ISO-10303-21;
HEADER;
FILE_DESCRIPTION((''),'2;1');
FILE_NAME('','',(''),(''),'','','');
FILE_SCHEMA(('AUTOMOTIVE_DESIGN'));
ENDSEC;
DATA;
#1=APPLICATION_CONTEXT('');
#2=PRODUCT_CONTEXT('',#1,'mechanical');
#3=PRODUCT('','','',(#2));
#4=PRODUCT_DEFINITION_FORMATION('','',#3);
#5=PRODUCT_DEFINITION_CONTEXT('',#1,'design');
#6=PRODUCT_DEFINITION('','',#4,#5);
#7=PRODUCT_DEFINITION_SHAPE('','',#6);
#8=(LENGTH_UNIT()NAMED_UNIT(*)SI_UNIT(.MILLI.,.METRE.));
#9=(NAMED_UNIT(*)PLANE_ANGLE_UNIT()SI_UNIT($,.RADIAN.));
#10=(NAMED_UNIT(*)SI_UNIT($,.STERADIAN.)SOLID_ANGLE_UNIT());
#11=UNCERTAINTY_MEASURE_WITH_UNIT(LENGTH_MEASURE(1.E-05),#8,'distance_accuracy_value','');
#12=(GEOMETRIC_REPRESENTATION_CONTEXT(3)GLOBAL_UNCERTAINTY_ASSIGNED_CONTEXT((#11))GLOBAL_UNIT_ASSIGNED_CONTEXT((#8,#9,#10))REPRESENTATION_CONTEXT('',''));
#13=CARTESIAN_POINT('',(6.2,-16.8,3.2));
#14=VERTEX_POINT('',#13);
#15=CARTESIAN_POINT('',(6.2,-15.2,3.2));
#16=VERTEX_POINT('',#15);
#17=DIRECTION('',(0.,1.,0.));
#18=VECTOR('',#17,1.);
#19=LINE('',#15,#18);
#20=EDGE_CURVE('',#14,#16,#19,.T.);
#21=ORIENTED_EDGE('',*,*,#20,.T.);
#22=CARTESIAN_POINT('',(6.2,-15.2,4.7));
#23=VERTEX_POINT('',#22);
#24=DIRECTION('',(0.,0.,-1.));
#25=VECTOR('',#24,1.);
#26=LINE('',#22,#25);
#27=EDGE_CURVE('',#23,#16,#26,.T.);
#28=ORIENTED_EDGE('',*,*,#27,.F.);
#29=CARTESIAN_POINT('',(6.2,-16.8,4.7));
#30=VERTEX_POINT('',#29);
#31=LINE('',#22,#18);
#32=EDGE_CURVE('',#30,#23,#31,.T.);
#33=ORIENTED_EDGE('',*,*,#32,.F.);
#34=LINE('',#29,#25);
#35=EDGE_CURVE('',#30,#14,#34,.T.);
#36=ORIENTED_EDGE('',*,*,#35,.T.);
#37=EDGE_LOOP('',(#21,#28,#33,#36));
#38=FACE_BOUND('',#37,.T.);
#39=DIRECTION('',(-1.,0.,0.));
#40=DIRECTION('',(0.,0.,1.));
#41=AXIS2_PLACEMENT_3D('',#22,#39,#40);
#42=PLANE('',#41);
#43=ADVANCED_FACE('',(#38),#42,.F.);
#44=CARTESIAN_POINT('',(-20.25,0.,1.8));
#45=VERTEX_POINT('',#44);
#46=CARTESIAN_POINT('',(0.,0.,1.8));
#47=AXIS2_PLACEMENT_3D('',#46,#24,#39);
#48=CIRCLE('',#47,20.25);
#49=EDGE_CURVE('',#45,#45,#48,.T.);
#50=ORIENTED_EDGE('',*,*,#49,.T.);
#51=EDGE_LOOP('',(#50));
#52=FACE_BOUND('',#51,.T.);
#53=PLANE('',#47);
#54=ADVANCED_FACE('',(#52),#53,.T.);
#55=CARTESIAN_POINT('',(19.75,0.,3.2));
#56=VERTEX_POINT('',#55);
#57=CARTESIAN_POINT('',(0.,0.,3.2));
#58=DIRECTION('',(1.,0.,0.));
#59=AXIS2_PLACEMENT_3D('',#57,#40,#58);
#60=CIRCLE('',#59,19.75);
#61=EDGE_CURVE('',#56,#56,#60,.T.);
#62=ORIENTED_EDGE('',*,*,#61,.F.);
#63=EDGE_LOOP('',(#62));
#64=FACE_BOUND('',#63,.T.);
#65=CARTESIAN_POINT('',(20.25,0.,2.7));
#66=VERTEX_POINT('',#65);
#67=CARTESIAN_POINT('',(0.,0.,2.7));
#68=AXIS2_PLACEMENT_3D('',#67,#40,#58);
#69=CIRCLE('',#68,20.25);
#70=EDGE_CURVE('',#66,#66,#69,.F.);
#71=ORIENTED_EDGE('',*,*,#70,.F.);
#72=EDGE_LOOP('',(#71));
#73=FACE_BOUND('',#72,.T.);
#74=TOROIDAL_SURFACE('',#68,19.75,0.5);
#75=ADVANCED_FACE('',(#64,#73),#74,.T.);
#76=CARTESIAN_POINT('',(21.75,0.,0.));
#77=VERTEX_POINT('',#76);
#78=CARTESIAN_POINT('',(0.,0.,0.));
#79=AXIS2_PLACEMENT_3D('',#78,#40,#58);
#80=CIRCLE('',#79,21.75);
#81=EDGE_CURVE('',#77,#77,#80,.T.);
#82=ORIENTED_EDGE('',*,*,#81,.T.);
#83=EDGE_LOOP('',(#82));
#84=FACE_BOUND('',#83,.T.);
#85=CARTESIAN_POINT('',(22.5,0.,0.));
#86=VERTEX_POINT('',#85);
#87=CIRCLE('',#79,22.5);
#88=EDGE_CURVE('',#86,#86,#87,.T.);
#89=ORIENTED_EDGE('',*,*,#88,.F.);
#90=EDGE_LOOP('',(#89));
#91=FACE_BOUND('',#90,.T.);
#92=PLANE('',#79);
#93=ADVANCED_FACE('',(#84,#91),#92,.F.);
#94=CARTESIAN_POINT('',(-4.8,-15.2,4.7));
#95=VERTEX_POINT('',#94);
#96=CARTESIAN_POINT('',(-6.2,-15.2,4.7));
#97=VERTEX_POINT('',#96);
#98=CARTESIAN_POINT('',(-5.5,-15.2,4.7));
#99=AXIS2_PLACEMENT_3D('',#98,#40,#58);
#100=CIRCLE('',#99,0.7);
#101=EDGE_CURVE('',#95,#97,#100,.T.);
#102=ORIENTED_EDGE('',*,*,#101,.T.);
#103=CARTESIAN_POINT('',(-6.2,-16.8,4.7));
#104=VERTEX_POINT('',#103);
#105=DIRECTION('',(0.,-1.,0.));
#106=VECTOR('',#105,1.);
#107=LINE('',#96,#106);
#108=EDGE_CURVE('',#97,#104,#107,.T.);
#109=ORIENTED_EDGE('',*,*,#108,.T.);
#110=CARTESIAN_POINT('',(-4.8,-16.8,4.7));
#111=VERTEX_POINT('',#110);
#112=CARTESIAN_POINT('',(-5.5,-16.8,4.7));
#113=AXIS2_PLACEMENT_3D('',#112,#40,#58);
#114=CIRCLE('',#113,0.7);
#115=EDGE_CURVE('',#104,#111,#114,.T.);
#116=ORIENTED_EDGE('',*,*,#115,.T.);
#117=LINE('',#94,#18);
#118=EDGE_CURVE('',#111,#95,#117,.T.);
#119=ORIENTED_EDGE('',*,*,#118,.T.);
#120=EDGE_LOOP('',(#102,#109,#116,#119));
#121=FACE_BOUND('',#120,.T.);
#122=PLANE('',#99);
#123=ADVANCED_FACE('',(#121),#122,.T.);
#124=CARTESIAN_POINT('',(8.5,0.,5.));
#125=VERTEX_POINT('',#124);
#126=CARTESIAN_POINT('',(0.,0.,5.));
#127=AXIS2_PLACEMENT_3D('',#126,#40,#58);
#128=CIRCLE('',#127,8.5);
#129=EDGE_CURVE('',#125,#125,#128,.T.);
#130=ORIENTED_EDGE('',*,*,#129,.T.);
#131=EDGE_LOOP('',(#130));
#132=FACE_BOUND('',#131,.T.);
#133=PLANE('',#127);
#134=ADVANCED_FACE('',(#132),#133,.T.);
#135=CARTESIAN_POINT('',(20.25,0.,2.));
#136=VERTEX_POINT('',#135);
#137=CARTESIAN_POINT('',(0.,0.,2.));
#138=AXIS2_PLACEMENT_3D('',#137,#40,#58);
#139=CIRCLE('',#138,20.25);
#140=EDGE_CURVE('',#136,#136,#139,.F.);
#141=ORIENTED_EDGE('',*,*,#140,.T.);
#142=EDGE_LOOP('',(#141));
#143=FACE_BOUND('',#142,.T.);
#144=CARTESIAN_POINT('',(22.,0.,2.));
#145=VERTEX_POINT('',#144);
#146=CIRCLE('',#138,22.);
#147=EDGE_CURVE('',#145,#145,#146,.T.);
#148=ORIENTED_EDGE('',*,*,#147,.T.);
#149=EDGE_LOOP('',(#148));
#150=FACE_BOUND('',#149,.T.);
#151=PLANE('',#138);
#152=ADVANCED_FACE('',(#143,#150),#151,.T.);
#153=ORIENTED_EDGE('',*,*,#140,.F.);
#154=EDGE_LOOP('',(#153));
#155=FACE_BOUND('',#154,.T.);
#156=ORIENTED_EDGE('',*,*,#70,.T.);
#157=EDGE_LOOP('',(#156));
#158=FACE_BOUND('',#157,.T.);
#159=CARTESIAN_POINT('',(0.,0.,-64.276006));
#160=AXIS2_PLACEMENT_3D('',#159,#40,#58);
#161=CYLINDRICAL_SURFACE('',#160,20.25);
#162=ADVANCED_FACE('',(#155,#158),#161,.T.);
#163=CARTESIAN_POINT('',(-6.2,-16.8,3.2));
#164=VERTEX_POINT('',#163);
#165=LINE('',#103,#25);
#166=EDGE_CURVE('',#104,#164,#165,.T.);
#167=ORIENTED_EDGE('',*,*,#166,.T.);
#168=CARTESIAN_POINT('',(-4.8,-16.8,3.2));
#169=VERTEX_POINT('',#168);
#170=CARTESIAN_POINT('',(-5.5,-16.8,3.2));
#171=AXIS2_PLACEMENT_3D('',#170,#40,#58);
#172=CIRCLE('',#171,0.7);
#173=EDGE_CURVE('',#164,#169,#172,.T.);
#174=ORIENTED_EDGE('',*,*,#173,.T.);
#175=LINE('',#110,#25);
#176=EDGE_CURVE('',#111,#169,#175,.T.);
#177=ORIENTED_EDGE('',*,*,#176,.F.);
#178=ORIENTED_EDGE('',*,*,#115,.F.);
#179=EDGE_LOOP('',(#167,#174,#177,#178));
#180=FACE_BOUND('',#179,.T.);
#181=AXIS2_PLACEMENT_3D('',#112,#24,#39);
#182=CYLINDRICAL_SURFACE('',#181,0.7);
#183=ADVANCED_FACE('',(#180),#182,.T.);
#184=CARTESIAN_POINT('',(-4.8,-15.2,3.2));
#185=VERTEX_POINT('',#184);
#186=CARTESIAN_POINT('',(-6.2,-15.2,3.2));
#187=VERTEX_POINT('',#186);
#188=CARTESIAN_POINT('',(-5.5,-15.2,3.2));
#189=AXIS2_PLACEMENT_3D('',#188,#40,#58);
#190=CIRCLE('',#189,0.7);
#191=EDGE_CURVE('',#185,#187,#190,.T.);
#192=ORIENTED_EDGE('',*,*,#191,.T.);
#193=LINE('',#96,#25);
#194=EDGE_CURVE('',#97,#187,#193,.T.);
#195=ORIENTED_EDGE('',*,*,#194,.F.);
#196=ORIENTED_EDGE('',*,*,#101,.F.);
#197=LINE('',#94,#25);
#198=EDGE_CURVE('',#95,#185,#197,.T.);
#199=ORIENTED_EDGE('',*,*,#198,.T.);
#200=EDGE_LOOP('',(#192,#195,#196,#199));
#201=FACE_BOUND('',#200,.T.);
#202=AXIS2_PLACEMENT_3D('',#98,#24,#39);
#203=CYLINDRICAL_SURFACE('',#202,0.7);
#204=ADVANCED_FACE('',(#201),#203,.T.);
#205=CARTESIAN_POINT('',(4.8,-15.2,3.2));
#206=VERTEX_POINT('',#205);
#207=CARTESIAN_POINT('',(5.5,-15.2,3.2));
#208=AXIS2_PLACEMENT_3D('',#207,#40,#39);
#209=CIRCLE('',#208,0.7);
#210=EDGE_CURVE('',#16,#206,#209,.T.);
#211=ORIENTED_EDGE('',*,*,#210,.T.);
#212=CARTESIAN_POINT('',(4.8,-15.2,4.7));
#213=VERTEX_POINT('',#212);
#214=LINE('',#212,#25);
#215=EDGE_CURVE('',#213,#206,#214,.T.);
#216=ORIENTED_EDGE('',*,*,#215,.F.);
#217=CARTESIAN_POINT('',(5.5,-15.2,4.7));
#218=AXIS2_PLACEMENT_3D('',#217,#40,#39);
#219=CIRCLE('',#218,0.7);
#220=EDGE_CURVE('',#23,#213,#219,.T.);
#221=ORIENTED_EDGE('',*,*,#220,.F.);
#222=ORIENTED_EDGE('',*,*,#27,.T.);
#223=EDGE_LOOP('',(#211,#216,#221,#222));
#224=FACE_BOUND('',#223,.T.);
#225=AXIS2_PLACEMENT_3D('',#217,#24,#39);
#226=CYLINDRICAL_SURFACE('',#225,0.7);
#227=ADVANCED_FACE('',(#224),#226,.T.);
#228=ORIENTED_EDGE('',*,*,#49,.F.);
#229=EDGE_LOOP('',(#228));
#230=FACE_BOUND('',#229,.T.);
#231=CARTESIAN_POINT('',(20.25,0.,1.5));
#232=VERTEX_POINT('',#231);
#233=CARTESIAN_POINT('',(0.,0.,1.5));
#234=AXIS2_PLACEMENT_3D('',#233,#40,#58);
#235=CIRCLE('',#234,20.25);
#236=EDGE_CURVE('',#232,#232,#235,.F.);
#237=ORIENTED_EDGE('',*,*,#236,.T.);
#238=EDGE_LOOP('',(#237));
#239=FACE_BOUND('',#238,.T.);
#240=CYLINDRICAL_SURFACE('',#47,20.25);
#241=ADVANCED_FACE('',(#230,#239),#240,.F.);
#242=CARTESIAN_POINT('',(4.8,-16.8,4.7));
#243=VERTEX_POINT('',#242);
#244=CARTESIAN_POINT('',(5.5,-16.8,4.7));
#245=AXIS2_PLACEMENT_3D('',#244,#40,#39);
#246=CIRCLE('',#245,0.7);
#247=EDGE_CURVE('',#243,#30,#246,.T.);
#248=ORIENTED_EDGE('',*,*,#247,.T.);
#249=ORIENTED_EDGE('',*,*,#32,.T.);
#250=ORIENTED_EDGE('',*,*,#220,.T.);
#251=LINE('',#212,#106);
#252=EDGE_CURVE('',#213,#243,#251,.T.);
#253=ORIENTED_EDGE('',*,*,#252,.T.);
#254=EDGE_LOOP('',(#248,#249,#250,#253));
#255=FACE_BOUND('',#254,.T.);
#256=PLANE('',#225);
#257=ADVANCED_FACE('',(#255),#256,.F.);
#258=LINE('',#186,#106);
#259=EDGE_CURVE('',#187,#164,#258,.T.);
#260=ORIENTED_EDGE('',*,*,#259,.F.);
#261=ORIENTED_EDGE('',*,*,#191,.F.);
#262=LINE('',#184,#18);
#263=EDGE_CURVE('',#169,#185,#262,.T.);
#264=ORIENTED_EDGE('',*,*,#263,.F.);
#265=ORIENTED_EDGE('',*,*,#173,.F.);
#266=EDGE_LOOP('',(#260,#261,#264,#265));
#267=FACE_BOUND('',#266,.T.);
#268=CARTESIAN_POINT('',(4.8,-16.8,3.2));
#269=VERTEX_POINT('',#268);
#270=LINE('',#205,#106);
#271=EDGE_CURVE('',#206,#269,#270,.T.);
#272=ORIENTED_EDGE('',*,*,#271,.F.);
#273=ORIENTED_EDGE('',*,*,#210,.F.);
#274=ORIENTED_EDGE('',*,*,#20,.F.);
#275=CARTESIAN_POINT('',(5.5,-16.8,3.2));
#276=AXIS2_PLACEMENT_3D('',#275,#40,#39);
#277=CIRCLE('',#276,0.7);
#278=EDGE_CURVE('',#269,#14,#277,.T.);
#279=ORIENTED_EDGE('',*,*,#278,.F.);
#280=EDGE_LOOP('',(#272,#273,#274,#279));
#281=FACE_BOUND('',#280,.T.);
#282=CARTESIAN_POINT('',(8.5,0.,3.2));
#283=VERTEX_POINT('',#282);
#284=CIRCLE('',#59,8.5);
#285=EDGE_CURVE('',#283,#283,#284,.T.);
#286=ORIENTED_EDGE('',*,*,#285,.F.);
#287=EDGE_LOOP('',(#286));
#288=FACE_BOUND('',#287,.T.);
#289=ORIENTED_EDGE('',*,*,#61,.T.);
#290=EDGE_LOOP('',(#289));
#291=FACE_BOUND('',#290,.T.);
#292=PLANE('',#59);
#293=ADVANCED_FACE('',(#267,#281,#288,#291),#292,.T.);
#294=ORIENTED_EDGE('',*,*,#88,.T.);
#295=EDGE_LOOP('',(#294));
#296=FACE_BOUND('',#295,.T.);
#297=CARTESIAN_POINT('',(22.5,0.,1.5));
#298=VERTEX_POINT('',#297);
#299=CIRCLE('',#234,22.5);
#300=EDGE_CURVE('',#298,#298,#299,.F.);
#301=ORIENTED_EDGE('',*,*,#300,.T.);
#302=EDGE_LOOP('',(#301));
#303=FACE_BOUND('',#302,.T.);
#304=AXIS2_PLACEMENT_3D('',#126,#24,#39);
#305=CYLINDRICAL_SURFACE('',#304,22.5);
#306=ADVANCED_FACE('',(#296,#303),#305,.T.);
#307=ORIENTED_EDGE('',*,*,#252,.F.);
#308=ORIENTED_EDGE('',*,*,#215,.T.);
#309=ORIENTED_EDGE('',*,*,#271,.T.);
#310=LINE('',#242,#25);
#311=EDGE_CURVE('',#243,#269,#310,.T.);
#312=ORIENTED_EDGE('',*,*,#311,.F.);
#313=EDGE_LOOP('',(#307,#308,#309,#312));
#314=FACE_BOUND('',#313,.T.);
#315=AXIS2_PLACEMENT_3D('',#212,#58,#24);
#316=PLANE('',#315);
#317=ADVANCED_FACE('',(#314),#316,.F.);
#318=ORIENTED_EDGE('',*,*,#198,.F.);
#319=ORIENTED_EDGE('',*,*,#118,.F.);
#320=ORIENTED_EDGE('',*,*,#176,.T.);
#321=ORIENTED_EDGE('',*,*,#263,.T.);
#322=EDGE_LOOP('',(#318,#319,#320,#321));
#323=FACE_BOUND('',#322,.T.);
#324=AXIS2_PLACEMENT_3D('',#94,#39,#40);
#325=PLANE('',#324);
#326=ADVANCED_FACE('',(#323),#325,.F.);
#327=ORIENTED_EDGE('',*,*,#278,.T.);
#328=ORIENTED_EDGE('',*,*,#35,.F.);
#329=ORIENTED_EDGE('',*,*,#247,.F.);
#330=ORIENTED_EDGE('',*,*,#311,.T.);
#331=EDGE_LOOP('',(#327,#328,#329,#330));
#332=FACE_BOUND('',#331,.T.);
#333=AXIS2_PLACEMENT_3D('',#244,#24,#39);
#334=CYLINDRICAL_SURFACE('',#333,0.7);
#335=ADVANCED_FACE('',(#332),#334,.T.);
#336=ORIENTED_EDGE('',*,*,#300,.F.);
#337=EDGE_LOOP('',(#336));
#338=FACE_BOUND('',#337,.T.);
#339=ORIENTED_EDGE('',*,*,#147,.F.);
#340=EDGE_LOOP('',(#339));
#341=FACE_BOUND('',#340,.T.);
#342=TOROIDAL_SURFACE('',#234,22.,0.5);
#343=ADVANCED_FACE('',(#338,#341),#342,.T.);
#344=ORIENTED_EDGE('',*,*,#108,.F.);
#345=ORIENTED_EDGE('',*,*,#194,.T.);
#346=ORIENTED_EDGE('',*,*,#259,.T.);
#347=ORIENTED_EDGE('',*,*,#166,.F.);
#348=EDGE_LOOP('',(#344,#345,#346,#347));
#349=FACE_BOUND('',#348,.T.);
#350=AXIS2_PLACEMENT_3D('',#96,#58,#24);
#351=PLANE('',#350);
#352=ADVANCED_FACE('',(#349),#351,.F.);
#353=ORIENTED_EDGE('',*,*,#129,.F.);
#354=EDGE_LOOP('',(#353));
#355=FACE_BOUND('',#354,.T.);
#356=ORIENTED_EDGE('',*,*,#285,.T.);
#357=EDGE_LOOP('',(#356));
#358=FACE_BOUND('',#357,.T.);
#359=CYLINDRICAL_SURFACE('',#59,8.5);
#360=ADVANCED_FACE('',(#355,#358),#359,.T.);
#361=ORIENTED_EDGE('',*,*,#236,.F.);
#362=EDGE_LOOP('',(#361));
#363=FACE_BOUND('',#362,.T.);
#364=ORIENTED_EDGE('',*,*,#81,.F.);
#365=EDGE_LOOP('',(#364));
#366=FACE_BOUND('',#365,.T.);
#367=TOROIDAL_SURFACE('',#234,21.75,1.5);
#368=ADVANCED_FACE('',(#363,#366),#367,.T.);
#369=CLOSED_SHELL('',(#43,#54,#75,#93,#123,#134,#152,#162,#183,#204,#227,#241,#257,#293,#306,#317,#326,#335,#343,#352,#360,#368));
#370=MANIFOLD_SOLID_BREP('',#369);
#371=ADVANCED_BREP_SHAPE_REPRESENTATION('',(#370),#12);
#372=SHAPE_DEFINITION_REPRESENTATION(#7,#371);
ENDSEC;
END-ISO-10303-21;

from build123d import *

# Parameters (mm, degrees)
SKETCH_1_R          = 22.5
EXTRUDE_1_DEPTH     = 5
SKETCH_2_OUTSIDE_W  = 59.768
SKETCH_2_OUTSIDE_H  = 59.768
SKETCH_2_OUTSIDE_R  = 20.25
CUT_EXTRUDE_1_DEPTH = 3
SKETCH_3_OUTSIDE_W  = 59.768
SKETCH_3_OUTSIDE_H  = 59.768
SKETCH_3_OUTSIDE_R  = 8.5
CUT_EXTRUDE_2_DEPTH = 1.8
CUT_EXTRUDE_START   = -1.8
SKETCH_4_R          = 20.25
CUT_EXTRUDE_3_DEPTH = 1.8
FILLET_1_R          = 1.5
FILLET_2_R          = 0.5
FILLET_3_R          = 0.5
EXTRUDE_978_DEPTH   = 1.5


with BuildPart() as part:
    # 草图1 → 拉伸1 (new body)
    with BuildSketch(Plane.XY):
        Circle(SKETCH_1_R)
    extrude(amount=EXTRUDE_1_DEPTH)

    # 草图2 outside → 切除-拉伸1 (cut)
    with BuildSketch(Plane.XY.offset(5)):
        Rectangle(SKETCH_2_OUTSIDE_W, SKETCH_2_OUTSIDE_H)
        Circle(SKETCH_2_OUTSIDE_R, mode=Mode.SUBTRACT)
    extrude(amount=-CUT_EXTRUDE_1_DEPTH, mode=Mode.SUBTRACT)

    # 草图3 outside → 切除-拉伸2 (cut)
    with BuildSketch(Plane.XY.offset(5)):
        Rectangle(SKETCH_3_OUTSIDE_W, SKETCH_3_OUTSIDE_H)
        Circle(SKETCH_3_OUTSIDE_R, mode=Mode.SUBTRACT)
    extrude(amount=-CUT_EXTRUDE_2_DEPTH, mode=Mode.SUBTRACT)

    # 草图4 → 切除-拉伸3 (cut)
    with BuildSketch(Plane(origin=(0, 0, 0), x_dir=(-1, 0, 0), z_dir=(0, 0, -1)).offset(CUT_EXTRUDE_START)):
        with Locations(Location((0, 0, 0), (0, 0, 180))):
            Circle(SKETCH_4_R)
    extrude(amount=CUT_EXTRUDE_3_DEPTH, mode=Mode.SUBTRACT)

    # 圆角1
    fillet_1_edges = [part.edges().sort_by_distance(p)[0] for p in [
        (-20.25, 0, 0),
    ]]
    fillet(fillet_1_edges, radius=FILLET_1_R)

    # 圆角2
    fillet_2_edges = [part.edges().sort_by_distance(p)[0] for p in [
        (-22.5, 0, 2),
    ]]
    fillet(fillet_2_edges, radius=FILLET_2_R)

    # 圆角3
    fillet_3_edges = [part.edges().sort_by_distance(p)[0] for p in [
        (-20.25, 0, 3.2),
    ]]
    fillet(fillet_3_edges, radius=FILLET_3_R)

    # 草图5 → Extrude 978 (add)
    with BuildSketch(Plane.XY.offset(3.2)):
        with BuildLine():
            Line((-4.8, -15.2), (-4.8, -16.8))
            ThreePointArc((-4.8, -16.8), (-5.5, -17.5), (-6.2, -16.8))
            Line((-6.2, -16.8), (-6.2, -15.2))
            ThreePointArc((-6.2, -15.2), (-5.5, -14.5), (-4.8, -15.2))
        make_face()
        with BuildLine():
            Line((4.8, -15.2), (4.8, -16.8))
            ThreePointArc((4.8, -16.8), (5.5, -17.5), (6.2, -16.8))
            Line((6.2, -16.8), (6.2, -15.2))
            ThreePointArc((6.2, -15.2), (5.5, -14.5), (4.8, -15.2))
        make_face()
    extrude(amount=EXTRUDE_978_DEPTH)


solid = part.part
